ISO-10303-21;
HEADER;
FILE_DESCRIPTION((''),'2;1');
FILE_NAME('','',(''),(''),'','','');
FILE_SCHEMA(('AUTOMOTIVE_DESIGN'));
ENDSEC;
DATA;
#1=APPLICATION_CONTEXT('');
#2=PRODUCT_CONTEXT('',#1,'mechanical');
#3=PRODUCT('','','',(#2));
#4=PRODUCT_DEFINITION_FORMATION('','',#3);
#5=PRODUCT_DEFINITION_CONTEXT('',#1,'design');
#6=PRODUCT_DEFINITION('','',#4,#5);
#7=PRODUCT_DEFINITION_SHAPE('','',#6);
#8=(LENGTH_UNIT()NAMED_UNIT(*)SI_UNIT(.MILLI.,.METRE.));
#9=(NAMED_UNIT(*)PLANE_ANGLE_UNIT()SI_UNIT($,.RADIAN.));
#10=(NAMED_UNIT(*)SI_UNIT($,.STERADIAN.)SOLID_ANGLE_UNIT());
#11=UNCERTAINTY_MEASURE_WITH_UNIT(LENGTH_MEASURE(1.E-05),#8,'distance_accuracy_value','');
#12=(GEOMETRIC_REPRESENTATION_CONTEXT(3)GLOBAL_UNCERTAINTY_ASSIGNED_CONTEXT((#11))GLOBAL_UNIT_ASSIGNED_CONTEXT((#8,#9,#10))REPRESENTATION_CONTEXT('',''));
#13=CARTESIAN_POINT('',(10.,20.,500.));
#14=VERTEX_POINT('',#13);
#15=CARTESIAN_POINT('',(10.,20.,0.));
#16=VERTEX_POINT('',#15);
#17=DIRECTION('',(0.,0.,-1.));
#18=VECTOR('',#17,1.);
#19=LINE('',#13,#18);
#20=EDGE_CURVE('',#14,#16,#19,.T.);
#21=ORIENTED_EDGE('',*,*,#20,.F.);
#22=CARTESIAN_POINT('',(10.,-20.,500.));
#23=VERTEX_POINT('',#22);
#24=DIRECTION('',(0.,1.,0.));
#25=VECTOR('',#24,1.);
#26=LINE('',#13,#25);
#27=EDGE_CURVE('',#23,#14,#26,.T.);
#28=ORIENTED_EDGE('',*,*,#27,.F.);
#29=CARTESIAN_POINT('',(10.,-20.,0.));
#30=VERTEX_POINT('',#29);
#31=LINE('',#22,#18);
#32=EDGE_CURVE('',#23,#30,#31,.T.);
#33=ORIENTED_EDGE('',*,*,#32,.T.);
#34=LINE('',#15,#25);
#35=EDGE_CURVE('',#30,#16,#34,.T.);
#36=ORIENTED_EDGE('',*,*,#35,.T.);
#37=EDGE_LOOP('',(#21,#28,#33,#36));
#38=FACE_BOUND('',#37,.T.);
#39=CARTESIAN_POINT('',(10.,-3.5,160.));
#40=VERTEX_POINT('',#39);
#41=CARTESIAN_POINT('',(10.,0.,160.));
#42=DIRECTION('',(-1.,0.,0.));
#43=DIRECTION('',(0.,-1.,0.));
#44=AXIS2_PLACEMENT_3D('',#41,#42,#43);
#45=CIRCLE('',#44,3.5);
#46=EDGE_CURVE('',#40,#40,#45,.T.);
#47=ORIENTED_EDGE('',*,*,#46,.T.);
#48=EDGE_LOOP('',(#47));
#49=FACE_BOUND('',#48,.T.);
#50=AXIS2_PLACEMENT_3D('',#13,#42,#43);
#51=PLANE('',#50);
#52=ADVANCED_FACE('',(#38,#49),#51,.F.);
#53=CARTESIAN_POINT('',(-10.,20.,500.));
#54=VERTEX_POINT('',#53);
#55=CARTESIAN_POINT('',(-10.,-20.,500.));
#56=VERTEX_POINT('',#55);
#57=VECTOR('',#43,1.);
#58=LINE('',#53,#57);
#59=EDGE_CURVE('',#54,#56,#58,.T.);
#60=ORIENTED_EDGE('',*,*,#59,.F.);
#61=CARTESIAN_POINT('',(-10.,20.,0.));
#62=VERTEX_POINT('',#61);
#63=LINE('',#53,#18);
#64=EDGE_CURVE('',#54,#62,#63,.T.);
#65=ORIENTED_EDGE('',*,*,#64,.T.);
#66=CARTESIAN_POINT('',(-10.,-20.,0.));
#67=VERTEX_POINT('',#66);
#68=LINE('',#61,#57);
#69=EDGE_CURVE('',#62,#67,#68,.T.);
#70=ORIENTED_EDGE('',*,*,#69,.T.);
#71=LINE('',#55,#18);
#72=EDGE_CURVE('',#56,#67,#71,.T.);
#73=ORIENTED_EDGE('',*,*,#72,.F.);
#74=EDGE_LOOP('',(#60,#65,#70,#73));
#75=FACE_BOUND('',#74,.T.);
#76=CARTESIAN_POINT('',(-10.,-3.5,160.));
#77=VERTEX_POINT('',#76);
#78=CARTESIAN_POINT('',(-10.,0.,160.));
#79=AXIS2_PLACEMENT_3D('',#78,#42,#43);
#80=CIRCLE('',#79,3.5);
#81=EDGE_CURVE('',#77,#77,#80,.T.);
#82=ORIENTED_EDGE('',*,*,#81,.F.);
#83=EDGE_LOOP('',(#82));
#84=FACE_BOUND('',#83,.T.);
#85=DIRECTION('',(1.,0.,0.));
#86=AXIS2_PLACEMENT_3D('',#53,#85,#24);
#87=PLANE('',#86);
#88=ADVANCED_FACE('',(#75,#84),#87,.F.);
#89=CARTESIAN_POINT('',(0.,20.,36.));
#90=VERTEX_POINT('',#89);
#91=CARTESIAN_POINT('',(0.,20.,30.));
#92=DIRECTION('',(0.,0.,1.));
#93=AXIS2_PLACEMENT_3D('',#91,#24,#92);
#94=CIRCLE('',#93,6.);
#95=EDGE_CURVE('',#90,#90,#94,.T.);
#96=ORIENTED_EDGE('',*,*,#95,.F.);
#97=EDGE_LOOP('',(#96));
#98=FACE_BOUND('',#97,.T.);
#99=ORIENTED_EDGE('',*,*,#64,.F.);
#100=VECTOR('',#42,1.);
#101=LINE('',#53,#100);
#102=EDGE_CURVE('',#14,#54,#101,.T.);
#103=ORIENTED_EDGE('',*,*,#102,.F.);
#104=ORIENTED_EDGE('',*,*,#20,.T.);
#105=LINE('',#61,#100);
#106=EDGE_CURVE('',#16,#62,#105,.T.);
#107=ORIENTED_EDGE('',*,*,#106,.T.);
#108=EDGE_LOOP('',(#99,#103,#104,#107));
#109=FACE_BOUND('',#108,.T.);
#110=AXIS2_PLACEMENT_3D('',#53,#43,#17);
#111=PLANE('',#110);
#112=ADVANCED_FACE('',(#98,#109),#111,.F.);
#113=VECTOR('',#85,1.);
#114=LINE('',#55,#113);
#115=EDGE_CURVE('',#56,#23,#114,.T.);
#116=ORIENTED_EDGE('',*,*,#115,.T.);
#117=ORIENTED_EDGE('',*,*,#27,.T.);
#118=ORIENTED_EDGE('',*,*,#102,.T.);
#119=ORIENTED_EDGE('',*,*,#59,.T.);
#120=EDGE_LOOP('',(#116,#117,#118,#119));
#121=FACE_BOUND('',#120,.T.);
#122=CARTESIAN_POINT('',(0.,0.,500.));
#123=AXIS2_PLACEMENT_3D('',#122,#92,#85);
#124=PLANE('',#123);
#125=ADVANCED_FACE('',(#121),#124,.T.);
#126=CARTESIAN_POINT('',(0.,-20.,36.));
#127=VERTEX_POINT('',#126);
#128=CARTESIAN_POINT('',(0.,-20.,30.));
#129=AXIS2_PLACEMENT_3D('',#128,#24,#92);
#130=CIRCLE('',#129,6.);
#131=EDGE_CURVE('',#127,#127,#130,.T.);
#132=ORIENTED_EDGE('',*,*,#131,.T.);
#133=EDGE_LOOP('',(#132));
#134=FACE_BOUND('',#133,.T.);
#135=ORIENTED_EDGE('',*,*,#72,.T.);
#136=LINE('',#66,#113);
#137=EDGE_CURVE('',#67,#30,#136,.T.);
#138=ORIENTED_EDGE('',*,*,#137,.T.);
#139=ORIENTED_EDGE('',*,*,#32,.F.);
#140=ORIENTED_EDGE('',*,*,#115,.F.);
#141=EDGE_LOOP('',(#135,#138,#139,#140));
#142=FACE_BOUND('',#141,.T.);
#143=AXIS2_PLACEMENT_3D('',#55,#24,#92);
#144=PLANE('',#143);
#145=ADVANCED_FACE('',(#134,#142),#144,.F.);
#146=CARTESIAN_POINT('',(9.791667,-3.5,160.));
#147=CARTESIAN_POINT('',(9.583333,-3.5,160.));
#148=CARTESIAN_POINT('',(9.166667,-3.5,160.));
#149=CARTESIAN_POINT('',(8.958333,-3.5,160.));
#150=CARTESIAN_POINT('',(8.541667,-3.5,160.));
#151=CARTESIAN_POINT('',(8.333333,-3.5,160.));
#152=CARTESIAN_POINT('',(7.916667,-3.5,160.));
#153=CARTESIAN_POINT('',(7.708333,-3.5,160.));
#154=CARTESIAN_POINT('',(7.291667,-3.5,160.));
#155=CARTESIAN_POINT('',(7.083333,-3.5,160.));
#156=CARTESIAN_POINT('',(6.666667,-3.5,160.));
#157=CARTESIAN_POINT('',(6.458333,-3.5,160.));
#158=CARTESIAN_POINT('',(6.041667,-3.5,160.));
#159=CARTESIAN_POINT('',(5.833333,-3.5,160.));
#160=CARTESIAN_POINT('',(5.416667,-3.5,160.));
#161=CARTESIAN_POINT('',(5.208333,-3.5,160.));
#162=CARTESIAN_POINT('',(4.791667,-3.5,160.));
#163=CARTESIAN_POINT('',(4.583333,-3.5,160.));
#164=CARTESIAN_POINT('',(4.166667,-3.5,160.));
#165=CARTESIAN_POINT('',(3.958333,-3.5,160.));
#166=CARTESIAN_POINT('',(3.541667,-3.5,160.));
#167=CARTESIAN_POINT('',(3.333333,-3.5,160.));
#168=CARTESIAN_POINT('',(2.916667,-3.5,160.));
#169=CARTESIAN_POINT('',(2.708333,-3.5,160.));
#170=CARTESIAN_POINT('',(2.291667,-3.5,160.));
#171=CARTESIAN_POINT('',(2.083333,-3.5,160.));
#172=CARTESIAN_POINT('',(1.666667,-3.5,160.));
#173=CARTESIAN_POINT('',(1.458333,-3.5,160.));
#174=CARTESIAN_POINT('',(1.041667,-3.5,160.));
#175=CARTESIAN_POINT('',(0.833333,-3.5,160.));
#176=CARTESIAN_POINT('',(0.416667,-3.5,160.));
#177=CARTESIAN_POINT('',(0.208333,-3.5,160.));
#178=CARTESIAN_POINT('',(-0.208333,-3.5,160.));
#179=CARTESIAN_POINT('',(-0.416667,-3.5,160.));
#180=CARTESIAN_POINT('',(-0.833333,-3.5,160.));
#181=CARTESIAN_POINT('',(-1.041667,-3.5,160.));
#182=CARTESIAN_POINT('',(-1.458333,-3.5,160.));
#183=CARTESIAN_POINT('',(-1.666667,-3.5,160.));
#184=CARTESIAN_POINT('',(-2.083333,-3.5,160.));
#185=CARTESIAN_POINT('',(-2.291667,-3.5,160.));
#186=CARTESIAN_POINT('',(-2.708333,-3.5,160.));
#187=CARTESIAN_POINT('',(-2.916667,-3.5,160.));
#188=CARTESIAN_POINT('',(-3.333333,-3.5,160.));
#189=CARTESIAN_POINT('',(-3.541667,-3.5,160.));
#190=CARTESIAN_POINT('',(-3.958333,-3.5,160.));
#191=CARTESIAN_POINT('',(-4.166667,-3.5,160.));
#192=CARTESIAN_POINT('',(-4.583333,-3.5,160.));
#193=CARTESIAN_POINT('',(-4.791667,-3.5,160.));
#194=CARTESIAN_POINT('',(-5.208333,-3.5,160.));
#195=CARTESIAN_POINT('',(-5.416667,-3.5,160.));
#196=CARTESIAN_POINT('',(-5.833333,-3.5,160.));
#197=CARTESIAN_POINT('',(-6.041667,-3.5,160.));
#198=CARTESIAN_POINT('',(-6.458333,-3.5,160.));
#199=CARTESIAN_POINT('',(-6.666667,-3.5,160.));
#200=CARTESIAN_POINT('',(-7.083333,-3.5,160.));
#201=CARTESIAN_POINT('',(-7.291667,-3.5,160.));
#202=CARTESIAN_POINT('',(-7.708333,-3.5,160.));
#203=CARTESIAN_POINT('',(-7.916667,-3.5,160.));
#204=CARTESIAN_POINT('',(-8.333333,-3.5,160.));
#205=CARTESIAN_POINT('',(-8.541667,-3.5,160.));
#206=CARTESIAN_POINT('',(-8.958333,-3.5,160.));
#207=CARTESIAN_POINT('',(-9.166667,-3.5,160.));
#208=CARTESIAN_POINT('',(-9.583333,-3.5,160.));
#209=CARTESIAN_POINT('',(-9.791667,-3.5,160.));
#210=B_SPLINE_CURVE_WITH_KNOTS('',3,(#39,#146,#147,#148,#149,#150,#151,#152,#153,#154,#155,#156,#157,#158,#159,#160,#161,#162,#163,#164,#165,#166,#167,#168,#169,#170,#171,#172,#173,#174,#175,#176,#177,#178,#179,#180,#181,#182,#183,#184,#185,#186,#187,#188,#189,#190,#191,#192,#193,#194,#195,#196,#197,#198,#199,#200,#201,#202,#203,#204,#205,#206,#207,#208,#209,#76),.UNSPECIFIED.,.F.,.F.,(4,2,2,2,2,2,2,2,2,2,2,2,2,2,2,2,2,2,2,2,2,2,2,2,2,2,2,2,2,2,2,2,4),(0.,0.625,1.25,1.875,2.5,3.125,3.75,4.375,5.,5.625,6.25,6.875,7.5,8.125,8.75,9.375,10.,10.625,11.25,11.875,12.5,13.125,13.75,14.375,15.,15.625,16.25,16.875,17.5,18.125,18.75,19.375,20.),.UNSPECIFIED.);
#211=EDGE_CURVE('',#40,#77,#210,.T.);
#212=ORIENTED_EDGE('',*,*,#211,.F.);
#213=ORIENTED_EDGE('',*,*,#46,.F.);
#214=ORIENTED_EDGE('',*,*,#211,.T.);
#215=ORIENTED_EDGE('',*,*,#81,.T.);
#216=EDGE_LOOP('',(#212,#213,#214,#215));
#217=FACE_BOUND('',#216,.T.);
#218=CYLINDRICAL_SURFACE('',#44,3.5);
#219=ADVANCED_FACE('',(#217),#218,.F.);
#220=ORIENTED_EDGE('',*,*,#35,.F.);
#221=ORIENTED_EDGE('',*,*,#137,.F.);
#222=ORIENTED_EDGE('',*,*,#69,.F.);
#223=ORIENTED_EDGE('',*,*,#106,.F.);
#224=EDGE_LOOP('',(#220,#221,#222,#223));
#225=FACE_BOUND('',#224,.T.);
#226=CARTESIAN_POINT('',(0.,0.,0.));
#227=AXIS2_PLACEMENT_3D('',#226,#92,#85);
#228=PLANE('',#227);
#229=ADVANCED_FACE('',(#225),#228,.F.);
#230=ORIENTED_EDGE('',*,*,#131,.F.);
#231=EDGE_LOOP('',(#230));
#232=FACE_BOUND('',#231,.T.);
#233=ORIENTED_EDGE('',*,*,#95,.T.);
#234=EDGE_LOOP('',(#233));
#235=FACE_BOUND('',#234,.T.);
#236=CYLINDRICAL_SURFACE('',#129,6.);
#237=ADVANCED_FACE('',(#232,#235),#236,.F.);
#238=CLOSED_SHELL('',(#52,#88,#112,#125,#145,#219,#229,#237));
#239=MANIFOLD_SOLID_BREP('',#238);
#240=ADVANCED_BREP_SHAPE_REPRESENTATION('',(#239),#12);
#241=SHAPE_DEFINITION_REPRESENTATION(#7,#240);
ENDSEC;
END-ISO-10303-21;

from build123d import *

# Parameters (mm, degrees)
SKETCH_2_W          = 20
SKETCH_2_H          = 40
EXTRUDE_6_DEPTH     = 500
SKETCH_3_R          = 6
CUT_EXTRUDE_1_DEPTH = 502.697119784
SKETCH_5_R          = 3.5
CUT_EXTRUDE_2_DEPTH = 501.799361022


with BuildPart() as part:
    # Эскиз2 → Бобышка-Вытянуть6 (new body)
    with BuildSketch(Plane.XY):
        Rectangle(SKETCH_2_W, SKETCH_2_H)
    extrude(amount=EXTRUDE_6_DEPTH)

    # Эскиз3 → Вырез-Вытянуть1 (cut, through all)
    with BuildSketch(Plane(origin=(0, 20, 0), x_dir=(1, 0, 0), z_dir=(0, 1, 0))):
        with Locations(Location((0, -30, 0), (0, 0, 270))):
            Circle(SKETCH_3_R)
    extrude(amount=-CUT_EXTRUDE_1_DEPTH, mode=Mode.SUBTRACT)

    # Эскиз5 → Вырез-Вытянуть2 (cut, through all)
    with BuildSketch(Plane.ZY.offset(10)):
        with Locations(Location((160, 0, 0), (0, 0, 270))):
            Circle(SKETCH_5_R)
    extrude(amount=-CUT_EXTRUDE_2_DEPTH, mode=Mode.SUBTRACT)


solid = part.part
